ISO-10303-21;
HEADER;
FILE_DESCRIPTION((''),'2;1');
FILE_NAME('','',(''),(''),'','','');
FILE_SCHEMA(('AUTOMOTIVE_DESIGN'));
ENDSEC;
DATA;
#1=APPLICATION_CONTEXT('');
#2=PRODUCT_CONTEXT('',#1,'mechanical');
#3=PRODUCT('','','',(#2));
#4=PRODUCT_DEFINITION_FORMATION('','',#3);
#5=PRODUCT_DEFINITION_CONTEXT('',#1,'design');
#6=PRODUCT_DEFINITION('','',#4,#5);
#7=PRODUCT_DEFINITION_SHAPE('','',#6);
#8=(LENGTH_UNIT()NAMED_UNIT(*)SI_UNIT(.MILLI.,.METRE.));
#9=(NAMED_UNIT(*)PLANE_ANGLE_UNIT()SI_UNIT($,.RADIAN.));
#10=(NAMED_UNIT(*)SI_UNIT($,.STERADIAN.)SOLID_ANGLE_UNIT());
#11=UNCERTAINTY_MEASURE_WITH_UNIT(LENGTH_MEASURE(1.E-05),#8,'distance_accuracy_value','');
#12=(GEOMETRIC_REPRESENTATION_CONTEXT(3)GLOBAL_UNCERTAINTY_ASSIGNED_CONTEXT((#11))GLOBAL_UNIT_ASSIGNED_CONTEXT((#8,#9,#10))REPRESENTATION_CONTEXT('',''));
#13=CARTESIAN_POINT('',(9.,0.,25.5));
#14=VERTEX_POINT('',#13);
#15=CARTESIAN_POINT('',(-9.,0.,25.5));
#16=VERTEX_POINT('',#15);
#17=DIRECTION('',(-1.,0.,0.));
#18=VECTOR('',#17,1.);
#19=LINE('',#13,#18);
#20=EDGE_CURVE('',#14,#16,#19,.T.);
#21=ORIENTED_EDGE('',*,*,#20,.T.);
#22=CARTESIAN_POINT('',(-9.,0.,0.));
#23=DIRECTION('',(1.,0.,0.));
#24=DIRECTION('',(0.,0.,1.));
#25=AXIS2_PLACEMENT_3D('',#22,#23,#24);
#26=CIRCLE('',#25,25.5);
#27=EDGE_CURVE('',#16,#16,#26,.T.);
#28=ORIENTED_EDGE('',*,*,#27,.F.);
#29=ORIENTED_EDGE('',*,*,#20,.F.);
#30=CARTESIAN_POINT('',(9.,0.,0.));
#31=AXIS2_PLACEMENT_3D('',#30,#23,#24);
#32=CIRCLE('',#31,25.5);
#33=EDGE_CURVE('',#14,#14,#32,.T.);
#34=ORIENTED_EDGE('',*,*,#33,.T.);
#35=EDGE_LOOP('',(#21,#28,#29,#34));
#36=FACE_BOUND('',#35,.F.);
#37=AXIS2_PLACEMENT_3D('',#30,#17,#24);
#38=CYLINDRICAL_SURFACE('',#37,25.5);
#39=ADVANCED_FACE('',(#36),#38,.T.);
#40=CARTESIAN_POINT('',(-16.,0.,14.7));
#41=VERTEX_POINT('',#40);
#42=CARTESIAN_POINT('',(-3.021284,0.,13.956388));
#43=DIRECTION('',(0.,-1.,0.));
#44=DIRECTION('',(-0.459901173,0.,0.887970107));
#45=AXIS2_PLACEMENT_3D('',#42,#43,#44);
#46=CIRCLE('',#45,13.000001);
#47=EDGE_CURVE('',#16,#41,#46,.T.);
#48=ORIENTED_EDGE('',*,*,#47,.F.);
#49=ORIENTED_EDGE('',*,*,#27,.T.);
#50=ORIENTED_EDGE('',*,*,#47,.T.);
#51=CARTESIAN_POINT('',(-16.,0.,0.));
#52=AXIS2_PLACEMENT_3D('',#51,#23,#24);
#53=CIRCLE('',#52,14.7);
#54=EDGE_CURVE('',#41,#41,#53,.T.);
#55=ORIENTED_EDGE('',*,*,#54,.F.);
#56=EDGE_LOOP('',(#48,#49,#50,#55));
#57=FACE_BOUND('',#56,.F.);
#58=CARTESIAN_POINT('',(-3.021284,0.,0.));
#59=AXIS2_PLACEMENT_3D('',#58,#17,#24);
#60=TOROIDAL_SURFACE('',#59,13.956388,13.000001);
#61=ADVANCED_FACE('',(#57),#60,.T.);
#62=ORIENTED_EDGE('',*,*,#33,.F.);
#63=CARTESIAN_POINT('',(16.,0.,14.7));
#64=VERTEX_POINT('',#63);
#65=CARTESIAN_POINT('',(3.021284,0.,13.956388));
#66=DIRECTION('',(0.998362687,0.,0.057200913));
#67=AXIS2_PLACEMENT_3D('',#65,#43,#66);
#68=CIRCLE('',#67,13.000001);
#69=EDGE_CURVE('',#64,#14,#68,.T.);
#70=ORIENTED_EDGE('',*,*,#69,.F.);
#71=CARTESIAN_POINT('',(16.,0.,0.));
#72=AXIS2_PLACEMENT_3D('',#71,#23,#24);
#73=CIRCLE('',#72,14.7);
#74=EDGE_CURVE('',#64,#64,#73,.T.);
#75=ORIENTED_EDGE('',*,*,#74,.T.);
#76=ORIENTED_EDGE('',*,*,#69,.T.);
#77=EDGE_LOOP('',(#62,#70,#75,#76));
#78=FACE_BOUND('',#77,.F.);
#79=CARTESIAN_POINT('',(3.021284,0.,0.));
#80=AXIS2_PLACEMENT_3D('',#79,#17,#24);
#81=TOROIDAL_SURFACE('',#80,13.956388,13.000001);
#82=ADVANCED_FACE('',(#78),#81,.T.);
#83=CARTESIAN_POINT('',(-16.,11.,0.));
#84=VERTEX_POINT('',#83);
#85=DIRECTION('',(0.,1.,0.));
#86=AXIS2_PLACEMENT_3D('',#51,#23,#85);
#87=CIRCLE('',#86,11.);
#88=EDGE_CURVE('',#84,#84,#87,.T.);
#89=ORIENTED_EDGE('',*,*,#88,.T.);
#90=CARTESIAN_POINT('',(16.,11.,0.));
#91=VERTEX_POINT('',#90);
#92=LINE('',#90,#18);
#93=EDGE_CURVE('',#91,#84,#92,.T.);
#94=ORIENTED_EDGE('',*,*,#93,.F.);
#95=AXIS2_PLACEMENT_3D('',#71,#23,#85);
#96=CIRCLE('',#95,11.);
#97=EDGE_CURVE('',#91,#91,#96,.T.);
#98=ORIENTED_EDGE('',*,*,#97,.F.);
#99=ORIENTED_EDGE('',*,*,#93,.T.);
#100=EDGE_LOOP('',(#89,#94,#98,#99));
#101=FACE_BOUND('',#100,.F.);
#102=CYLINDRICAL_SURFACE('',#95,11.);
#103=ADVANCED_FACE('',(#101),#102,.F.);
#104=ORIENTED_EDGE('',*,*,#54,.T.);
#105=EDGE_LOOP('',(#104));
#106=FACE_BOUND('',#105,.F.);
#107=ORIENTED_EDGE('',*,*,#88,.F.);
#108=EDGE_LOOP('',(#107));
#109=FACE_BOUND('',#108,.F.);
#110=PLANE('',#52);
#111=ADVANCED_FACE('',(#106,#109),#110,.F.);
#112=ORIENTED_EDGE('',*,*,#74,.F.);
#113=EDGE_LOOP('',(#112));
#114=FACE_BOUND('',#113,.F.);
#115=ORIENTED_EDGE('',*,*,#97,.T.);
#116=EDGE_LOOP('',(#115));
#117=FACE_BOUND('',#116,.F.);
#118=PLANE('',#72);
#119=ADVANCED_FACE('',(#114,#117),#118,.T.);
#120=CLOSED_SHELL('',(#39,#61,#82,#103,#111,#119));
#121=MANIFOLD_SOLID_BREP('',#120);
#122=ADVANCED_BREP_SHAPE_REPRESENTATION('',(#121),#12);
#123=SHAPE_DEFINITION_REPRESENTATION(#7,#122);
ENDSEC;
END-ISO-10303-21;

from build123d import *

# Parameters (mm, degrees)
F2_R     = 11
F3_DEPTH = 32.001


with BuildPart() as f1:
    # F0 (on Front) → F1 (revolve)
    with BuildSketch(Plane.XZ):
        with BuildLine():
            Line((-16, 0), (0, 0))
            Line((0, 0), (16, 0))
            Line((16, 0), (16, 14.7))
            ThreePointArc((16, 14.7), (13.930274, 21.027029), (9, 25.5))
            Line((9, 25.5), (0, 25.5))
            Line((0, 25.5), (-9, 25.5))
            ThreePointArc((-9, 25.5), (-13.930274, 21.027029), (-16, 14.7))
            Line((-16, 14.7), (-16, 0))
        make_face()
    revolve(axis=Axis((8, 0, 0), (1, 0, 0)))

    # F2 (on face) → F3 (cut, through all)
    with BuildSketch(Plane.YZ.offset(16)):
        Circle(F2_R)
    extrude(amount=-F3_DEPTH, mode=Mode.SUBTRACT)


solid = f1.part
